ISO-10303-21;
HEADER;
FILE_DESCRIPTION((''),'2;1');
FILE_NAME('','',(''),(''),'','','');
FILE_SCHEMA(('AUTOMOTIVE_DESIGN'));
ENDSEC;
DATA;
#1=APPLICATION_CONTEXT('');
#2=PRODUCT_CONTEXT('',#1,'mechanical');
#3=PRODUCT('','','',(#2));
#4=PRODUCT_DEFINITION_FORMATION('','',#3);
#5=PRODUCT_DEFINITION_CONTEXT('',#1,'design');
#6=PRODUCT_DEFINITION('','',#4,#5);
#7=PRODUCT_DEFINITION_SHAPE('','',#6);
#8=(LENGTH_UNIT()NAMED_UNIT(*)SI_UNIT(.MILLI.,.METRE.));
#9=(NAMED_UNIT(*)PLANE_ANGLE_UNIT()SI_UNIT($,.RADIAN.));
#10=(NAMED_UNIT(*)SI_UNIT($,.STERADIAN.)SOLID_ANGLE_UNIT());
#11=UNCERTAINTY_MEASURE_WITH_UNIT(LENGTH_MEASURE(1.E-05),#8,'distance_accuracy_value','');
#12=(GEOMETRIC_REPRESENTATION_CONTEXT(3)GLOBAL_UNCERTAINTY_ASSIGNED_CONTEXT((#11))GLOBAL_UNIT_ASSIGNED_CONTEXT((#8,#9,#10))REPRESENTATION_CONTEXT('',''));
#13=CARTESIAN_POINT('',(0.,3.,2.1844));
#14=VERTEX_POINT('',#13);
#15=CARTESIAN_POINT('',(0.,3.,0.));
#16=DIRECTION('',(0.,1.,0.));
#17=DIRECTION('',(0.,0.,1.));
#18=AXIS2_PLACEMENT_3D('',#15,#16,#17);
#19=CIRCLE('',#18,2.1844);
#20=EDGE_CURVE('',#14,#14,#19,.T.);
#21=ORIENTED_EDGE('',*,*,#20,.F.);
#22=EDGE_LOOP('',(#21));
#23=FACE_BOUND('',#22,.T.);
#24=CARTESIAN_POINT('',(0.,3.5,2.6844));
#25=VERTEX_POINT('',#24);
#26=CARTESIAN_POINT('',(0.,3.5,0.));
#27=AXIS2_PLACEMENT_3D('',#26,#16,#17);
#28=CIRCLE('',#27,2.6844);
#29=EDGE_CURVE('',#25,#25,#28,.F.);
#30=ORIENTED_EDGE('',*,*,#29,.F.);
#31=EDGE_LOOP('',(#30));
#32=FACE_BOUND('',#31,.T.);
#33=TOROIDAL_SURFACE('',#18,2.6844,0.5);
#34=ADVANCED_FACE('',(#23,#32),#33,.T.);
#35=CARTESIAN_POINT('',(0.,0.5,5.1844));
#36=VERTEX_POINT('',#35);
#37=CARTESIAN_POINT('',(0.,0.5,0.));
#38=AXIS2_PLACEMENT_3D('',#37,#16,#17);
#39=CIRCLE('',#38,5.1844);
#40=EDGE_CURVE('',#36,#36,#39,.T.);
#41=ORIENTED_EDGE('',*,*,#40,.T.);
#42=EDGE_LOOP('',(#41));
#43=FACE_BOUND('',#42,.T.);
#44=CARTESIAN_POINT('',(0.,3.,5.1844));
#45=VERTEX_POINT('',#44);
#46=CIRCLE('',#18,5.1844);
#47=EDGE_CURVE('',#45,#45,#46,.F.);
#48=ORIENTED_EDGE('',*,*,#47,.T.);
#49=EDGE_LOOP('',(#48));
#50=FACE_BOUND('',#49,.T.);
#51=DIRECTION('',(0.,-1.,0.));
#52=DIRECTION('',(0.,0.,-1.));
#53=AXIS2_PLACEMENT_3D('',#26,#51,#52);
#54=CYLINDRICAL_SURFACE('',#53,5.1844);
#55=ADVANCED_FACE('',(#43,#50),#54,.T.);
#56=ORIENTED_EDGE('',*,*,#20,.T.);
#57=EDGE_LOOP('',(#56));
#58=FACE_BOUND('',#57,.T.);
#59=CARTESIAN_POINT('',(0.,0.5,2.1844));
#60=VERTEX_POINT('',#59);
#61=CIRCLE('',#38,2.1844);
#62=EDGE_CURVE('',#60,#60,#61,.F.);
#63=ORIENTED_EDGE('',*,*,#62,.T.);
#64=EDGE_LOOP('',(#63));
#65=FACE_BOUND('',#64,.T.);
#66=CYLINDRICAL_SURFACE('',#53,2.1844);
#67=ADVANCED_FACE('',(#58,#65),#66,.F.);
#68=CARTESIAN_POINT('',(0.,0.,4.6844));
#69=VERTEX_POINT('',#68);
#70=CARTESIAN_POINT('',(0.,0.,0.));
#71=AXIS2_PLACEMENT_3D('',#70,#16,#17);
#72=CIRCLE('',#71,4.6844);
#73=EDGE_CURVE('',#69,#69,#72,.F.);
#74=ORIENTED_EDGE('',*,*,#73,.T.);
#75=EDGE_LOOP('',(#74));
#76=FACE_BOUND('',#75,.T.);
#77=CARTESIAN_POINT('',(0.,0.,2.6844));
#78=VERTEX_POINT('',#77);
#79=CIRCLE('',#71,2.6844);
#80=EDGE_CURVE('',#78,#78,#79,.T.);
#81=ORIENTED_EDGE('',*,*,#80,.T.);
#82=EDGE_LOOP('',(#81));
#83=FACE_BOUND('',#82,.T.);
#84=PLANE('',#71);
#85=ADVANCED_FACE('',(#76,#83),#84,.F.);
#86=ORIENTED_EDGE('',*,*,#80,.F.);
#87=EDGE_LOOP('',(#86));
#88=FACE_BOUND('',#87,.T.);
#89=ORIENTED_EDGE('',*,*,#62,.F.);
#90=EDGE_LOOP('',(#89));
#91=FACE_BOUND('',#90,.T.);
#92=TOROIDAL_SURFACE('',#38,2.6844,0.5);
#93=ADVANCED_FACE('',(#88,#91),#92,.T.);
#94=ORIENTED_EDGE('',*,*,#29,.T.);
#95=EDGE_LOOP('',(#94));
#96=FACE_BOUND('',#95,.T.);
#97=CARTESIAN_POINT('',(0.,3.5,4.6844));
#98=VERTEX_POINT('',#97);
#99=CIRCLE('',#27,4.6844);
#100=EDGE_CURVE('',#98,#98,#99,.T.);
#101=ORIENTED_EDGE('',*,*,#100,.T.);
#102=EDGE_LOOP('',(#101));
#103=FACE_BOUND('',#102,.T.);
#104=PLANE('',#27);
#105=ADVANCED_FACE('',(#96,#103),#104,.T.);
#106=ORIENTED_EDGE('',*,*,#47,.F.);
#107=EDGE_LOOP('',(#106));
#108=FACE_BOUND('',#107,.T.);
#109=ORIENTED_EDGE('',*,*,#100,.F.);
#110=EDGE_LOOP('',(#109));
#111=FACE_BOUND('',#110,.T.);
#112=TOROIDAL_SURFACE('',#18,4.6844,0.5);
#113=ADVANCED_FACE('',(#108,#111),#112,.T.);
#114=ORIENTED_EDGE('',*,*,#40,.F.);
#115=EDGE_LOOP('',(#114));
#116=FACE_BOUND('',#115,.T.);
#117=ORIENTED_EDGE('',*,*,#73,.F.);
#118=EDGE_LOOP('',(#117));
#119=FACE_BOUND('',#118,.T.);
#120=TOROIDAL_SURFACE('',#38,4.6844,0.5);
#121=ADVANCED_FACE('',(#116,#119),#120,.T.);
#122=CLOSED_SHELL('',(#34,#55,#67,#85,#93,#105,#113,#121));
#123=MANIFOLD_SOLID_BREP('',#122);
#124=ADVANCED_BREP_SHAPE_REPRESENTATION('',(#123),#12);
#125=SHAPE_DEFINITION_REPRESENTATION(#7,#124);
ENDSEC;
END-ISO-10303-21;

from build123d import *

# Parameters (mm, degrees)
SKETCH1_R           = 5.1844
SKETCH1_R_2         = 2.1844
BOSS_EXTRUDE1_DEPTH = 3.5
FILLET1_R           = 0.5


with BuildPart() as part:
    # Sketch1 → Boss-Extrude1 (new body)
    with BuildSketch(Plane(origin=(0, 0, 0), x_dir=(1, 0, 0), z_dir=(0, 1, 0))):
        Circle(SKETCH1_R)
        Circle(SKETCH1_R_2, mode=Mode.SUBTRACT)
    extrude(amount=BOSS_EXTRUDE1_DEPTH)

    # Fillet1
    fillet1_edges = [part.edges().sort_by_distance(p)[0] for p in [
        (-5.1844, 0, 0),
        (-5.1844, 3.5, 0),
        (-2.1844, 0, 0),
        (-2.1844, 3.5, 0),
    ]]
    fillet(fillet1_edges, radius=FILLET1_R)


solid = part.part
